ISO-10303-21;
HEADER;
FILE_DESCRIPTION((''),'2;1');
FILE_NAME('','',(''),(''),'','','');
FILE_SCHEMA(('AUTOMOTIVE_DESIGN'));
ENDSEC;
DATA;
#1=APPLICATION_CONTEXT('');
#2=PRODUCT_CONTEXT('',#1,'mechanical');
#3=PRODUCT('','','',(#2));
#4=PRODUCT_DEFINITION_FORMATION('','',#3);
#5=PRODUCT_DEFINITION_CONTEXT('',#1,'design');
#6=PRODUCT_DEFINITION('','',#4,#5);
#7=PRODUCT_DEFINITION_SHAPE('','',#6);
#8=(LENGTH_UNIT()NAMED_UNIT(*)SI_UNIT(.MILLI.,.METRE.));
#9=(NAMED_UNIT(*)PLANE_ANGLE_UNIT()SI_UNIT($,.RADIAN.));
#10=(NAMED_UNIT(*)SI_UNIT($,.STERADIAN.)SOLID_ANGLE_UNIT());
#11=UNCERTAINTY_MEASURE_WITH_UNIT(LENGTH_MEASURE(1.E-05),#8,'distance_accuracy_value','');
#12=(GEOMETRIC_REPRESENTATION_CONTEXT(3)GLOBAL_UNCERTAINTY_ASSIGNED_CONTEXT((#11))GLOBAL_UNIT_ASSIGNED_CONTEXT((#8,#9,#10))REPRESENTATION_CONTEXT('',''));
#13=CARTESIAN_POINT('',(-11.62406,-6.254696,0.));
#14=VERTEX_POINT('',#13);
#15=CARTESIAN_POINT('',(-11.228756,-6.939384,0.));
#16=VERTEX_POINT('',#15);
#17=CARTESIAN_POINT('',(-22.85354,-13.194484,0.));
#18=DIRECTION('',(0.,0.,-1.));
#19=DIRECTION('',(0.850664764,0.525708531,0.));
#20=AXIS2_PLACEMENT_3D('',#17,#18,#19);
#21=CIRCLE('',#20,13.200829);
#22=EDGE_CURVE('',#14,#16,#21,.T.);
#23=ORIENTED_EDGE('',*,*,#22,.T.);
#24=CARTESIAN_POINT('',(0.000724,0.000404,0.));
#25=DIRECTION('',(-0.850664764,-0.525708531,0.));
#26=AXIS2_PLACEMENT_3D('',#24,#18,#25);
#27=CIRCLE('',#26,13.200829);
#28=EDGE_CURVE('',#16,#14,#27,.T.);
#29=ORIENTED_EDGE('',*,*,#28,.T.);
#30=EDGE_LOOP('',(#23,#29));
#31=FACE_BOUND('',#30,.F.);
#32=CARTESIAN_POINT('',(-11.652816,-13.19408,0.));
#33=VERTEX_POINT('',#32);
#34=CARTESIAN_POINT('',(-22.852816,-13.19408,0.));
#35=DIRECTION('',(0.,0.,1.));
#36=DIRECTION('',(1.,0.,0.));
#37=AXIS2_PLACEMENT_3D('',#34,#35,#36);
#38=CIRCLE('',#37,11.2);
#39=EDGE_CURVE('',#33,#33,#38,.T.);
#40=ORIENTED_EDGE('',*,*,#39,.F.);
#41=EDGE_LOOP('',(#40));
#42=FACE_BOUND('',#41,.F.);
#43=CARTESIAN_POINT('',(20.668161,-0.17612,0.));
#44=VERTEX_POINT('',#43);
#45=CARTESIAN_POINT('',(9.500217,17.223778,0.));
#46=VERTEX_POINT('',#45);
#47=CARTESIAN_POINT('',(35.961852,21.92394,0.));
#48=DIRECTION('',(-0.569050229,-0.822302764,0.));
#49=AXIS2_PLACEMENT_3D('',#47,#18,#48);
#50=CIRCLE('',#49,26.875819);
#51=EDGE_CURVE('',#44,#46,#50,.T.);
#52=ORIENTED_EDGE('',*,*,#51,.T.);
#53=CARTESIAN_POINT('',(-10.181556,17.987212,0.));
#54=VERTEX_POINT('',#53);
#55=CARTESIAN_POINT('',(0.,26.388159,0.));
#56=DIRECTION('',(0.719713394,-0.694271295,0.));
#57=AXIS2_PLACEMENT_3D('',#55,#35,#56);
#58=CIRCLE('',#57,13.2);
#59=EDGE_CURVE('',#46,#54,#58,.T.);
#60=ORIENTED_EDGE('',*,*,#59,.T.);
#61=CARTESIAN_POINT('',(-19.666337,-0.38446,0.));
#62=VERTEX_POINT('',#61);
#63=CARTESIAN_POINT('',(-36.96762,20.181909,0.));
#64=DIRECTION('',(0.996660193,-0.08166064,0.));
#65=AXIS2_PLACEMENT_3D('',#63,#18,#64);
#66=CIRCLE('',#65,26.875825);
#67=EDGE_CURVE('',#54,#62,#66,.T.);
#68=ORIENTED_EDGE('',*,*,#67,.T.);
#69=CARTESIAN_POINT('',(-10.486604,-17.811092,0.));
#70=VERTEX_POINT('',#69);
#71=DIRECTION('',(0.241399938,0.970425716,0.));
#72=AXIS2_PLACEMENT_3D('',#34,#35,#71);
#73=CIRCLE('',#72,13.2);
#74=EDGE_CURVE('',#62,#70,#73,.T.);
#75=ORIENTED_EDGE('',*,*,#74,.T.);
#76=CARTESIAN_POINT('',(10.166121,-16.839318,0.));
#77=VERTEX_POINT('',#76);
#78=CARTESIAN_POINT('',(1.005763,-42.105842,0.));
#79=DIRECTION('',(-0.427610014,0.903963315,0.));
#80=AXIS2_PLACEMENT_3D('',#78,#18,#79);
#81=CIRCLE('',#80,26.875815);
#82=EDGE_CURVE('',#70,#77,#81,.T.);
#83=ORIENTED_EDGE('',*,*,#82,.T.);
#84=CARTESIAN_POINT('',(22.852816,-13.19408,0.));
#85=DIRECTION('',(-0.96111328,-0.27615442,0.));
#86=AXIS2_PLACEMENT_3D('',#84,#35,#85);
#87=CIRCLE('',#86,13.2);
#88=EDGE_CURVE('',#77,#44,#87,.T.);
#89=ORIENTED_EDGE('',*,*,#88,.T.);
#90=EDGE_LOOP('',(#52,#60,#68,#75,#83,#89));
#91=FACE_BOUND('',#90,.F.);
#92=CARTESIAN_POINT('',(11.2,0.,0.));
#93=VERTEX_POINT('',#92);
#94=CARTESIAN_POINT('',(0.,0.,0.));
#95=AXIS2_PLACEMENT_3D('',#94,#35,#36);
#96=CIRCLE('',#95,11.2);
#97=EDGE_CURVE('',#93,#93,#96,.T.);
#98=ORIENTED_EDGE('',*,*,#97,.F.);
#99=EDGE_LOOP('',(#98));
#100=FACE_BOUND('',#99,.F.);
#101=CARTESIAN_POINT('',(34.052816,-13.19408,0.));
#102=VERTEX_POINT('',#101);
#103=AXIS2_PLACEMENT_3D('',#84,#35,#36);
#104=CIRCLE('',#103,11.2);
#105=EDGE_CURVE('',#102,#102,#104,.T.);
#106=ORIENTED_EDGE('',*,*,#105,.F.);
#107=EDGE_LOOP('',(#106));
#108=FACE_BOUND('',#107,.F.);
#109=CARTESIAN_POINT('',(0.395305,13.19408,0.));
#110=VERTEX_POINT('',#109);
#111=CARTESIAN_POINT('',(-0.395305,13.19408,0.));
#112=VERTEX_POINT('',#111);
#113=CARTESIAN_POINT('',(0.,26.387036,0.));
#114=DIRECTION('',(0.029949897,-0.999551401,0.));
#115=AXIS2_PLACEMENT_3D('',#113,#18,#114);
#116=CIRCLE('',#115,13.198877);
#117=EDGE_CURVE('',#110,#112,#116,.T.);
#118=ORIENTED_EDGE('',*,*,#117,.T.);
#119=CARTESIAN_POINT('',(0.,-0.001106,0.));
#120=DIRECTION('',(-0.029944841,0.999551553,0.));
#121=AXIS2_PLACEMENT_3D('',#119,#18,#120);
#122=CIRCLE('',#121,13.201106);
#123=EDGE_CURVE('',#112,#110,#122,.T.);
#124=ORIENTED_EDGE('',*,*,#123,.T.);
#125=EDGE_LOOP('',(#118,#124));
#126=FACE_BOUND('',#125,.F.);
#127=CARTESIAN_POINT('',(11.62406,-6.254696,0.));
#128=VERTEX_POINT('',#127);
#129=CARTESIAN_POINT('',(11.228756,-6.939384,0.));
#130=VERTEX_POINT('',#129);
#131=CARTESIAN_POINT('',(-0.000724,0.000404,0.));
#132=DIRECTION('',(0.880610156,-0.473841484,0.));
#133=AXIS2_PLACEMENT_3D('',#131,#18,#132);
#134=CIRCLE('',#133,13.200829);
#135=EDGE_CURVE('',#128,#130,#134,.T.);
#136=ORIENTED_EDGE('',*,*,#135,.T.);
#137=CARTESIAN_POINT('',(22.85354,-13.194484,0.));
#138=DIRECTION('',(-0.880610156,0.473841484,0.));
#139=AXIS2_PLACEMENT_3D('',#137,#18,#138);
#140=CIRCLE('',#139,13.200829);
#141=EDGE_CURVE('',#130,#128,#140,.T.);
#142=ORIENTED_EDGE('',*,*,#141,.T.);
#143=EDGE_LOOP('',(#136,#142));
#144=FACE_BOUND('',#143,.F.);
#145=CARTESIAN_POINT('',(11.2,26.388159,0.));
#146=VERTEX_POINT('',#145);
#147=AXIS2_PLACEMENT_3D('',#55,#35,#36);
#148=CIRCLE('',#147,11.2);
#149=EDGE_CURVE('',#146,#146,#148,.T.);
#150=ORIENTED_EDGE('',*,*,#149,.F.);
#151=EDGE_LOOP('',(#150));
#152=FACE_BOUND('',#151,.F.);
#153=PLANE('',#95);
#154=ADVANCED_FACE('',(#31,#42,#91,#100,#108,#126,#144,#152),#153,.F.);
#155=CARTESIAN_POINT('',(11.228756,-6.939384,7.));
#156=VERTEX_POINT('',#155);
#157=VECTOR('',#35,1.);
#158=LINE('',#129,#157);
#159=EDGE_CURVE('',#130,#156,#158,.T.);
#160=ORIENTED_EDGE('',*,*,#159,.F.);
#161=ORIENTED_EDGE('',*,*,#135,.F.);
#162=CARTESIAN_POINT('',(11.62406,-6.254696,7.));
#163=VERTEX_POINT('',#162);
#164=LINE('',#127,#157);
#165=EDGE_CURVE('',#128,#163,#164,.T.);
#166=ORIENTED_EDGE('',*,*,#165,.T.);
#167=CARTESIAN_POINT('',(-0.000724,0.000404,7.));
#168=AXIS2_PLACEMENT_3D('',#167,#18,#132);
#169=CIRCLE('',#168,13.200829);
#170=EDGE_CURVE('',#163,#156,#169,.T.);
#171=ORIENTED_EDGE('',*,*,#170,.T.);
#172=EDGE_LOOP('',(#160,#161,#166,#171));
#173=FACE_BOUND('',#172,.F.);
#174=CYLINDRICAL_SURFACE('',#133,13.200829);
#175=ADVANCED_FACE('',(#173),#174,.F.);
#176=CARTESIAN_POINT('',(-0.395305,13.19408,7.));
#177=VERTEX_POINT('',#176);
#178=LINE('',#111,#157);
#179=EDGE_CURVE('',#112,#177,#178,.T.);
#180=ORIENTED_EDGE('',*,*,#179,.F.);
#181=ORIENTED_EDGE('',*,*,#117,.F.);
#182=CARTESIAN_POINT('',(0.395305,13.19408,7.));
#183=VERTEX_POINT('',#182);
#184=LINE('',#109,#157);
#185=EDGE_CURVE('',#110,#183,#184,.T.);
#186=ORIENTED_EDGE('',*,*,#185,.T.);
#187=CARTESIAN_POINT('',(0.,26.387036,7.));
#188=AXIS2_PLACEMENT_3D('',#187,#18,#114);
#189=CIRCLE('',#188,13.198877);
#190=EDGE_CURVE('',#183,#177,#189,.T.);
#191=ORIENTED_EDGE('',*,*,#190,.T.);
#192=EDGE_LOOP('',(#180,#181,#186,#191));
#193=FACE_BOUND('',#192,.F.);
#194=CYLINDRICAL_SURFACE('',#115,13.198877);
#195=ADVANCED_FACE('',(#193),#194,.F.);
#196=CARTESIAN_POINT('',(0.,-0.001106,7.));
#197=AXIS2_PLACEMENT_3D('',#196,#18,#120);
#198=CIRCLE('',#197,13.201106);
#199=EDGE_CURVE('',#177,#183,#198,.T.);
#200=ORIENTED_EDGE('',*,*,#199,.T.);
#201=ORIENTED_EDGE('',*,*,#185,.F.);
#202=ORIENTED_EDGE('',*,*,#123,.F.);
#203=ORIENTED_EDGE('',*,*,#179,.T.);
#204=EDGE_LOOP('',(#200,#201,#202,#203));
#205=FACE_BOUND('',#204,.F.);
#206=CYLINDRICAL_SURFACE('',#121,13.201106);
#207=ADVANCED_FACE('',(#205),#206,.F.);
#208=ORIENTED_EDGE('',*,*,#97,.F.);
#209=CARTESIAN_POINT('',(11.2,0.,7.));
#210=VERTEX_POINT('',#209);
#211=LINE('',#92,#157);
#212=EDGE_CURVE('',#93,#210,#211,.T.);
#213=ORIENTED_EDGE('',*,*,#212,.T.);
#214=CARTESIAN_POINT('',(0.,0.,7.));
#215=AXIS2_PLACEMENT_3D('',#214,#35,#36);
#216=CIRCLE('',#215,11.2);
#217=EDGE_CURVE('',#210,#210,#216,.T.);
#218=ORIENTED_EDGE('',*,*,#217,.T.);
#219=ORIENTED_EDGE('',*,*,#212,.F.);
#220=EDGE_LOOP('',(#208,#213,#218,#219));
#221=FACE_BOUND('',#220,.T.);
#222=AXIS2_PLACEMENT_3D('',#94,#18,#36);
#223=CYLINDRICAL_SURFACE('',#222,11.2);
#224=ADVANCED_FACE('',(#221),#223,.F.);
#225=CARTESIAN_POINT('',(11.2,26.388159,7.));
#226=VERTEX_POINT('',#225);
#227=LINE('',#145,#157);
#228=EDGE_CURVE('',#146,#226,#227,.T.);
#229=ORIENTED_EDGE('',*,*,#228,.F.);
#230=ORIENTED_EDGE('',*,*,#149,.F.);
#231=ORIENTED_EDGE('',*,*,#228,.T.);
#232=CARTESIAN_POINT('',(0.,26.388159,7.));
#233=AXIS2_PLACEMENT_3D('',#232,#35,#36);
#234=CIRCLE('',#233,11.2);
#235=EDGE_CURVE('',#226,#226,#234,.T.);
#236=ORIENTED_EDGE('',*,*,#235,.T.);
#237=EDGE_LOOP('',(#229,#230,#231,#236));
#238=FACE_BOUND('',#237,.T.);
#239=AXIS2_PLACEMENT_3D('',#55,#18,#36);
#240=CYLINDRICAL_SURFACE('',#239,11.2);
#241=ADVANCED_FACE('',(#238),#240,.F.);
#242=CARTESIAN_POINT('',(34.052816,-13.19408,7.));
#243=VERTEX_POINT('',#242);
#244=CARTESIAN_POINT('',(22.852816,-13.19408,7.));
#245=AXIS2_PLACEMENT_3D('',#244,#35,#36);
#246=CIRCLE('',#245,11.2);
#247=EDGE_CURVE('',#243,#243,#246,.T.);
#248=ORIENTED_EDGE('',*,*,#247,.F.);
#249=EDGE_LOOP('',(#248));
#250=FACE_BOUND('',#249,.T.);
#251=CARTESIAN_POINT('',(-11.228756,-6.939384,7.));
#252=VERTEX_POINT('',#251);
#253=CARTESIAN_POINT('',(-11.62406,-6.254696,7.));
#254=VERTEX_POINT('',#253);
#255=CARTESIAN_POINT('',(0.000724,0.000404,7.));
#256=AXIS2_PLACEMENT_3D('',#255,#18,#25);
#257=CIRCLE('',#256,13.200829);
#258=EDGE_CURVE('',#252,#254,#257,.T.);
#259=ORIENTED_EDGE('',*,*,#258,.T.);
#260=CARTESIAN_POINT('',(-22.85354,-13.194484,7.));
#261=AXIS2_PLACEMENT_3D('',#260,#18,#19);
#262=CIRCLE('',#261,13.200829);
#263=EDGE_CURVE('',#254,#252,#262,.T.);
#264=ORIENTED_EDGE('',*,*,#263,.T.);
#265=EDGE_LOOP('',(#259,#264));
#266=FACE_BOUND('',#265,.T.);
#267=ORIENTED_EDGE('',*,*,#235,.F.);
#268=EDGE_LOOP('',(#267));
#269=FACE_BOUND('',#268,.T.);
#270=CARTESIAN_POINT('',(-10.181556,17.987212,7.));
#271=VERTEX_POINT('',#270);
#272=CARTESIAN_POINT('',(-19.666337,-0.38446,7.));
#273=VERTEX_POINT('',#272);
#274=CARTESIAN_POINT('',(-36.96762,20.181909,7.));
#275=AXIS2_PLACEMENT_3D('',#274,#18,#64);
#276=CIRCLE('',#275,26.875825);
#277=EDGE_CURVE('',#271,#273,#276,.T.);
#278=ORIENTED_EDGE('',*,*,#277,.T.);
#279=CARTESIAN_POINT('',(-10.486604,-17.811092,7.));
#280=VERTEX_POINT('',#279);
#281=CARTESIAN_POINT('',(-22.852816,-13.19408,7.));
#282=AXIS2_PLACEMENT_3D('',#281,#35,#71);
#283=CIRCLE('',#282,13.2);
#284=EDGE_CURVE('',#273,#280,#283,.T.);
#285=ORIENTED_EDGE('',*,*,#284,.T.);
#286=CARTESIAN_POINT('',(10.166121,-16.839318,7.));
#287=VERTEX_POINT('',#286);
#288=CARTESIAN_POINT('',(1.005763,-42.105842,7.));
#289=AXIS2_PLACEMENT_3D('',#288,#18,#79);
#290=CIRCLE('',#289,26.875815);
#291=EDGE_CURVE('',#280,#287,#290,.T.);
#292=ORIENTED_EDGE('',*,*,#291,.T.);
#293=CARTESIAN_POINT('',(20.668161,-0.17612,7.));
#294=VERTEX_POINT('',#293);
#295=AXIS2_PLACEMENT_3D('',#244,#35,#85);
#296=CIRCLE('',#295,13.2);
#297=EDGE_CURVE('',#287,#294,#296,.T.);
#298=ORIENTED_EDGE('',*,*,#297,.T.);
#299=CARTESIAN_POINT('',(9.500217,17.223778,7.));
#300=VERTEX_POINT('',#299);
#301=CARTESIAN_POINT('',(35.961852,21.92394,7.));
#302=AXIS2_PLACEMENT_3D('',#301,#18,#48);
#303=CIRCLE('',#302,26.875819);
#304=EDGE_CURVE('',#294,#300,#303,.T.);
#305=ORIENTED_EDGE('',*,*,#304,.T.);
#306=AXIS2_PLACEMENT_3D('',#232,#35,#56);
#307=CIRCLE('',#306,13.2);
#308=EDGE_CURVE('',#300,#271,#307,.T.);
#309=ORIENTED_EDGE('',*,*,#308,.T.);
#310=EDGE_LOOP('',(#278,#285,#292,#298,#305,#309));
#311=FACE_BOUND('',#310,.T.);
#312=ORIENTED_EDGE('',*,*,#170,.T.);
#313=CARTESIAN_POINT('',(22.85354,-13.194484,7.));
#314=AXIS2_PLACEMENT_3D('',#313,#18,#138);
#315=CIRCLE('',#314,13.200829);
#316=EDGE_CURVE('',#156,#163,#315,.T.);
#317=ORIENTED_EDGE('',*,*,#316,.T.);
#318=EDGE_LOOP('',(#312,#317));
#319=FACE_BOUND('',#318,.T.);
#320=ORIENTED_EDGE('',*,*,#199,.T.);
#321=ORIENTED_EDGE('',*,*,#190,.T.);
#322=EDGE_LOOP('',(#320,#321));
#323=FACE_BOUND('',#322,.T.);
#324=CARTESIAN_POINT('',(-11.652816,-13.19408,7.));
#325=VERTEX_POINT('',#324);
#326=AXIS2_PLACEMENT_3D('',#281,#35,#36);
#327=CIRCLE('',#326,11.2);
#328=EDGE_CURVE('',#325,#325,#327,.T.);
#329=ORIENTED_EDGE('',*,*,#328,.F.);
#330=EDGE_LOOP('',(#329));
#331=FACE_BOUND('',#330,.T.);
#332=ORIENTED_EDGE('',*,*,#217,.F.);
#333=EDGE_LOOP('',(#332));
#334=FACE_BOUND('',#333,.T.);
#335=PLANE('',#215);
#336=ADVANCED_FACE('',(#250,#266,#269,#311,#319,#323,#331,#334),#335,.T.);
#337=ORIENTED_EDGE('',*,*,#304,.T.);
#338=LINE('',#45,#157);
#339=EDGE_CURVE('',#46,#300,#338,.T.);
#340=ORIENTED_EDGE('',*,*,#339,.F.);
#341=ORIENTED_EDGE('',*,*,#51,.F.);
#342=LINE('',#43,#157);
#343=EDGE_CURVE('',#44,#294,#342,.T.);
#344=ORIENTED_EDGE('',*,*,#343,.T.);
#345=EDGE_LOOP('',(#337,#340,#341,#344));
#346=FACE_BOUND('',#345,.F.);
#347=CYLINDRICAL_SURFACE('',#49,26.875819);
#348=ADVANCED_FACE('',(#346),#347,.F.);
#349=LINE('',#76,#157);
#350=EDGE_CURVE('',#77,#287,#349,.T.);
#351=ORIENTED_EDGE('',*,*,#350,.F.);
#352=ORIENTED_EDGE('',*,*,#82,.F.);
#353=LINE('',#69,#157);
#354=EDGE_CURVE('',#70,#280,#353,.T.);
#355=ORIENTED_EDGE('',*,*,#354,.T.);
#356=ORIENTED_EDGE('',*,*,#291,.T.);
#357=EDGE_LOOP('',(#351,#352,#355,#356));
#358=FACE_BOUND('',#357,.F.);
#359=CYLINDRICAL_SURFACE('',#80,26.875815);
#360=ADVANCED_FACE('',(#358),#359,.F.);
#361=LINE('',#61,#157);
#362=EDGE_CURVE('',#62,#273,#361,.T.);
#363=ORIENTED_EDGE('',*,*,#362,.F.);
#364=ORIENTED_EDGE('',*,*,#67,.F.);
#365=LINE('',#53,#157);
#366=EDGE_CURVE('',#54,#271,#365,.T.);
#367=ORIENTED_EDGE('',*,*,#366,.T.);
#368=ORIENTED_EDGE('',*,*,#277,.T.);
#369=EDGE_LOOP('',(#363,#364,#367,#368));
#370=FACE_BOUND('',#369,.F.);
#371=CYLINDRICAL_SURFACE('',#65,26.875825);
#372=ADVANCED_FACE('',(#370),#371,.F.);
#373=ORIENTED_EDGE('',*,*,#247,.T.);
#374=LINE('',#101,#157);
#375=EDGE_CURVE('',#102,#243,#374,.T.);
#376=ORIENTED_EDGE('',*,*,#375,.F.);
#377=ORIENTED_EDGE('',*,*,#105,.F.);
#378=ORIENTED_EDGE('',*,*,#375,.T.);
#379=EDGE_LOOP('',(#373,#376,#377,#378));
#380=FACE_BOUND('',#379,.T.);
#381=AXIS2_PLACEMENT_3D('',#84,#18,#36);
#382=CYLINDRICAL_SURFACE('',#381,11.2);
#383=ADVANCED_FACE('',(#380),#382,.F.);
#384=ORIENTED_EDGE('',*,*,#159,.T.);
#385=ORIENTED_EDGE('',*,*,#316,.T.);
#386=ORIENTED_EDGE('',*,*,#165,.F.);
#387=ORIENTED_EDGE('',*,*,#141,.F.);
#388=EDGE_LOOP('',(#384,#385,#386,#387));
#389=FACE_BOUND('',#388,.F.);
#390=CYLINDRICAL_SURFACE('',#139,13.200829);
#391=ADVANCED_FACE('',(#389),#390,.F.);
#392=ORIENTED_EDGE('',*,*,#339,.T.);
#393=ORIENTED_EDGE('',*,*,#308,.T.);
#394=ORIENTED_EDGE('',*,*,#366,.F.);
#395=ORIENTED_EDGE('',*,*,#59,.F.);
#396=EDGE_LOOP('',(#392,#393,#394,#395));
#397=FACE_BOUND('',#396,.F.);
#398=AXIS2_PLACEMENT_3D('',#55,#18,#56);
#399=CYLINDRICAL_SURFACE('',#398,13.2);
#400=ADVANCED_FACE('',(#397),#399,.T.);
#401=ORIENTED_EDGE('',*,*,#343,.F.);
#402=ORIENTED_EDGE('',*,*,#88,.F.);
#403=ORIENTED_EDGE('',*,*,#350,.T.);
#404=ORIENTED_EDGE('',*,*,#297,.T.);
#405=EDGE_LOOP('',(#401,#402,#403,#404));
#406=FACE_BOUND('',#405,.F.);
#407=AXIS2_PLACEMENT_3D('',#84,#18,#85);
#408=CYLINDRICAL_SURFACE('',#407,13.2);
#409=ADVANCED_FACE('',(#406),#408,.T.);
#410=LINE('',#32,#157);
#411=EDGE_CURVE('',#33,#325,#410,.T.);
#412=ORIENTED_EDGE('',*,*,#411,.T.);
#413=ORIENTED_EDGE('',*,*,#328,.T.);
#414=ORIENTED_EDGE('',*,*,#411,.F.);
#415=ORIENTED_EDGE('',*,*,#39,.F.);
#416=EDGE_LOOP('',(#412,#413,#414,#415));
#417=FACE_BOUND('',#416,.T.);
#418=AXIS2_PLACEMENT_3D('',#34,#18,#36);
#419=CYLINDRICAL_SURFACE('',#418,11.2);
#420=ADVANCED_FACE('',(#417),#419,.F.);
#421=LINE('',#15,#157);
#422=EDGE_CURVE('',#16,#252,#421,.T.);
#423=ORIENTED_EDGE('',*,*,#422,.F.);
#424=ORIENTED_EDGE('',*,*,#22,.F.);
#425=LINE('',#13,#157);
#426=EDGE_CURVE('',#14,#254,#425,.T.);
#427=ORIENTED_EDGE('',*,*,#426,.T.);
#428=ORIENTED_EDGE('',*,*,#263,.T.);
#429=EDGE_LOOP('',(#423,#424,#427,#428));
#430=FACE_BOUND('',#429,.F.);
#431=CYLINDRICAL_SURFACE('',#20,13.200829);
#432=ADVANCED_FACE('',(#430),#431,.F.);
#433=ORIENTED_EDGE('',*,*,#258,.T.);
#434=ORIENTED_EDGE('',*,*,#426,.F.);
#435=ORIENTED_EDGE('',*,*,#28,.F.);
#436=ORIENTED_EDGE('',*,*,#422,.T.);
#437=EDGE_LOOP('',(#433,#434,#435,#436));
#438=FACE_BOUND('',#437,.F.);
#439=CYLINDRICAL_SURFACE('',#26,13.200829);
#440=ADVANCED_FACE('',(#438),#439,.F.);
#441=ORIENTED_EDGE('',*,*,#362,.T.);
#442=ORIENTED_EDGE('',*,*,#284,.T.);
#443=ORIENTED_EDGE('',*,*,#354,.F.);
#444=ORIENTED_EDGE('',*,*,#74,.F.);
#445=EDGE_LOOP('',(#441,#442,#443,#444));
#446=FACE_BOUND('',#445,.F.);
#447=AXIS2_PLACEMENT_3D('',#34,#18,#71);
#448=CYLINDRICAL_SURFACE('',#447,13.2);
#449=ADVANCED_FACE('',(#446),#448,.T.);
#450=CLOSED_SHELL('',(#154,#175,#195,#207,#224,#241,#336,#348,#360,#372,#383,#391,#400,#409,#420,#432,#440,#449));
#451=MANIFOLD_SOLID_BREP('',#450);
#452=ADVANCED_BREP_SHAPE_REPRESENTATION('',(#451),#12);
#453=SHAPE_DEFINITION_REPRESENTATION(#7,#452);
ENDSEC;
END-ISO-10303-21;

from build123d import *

# Parameters (mm, degrees)
F0_R     = 11.2
F2_DEPTH = 7


with BuildPart() as f2:
    # F0 (on Top) → F2 (new body)
    with BuildSketch(Plane.XY):
        with BuildLine():
            ThreePointArc((20.668161, -0.17612), (13.344029, 7.406925), (9.500217, 17.223778))
            ThreePointArc((9.500217, 17.223778), (0.511629, 39.57824), (-10.181556, 17.987212))
            ThreePointArc((-10.181556, 17.987212), (-13.0866, 7.852805), (-19.666337, -0.38446))
            ThreePointArc((-19.666337, -0.38446), (-34.531576, -19.346037), (-10.486604, -17.811092))
            ThreePointArc((-10.486604, -17.811092), (-0.257429, -15.25973), (10.166121, -16.839318))
            ThreePointArc((10.166121, -16.839318), (34.019947, -20.232203), (20.668161, -0.17612))
        make_face()
        with Locations((-22.852816, -13.19408)):
            Circle(F0_R, mode=Mode.SUBTRACT)
        with BuildLine():
            ThreePointArc((-11.228756, -6.939384), (-11.431535, -6.6), (-11.62406, -6.254696))
            ThreePointArc((-11.62406, -6.254696), (-11.421281, -6.59408), (-11.228756, -6.939384))
        make_face(mode=Mode.SUBTRACT)
        with Locations((22.852816, -13.19408)):
            Circle(F0_R, mode=Mode.SUBTRACT)
        with BuildLine():
            ThreePointArc((11.228756, -6.939384), (11.421281, -6.59408), (11.62406, -6.254696))
            ThreePointArc((11.62406, -6.254696), (11.431535, -6.6), (11.228756, -6.939384))
        make_face(mode=Mode.SUBTRACT)
        Circle(F0_R, mode=Mode.SUBTRACT)
        with BuildLine():
            ThreePointArc((-0.395305, 13.19408), (0, 13.2), (0.395305, 13.19408))
            ThreePointArc((0.395305, 13.19408), (0, 13.188159), (-0.395305, 13.19408))
        make_face(mode=Mode.SUBTRACT)
        with Locations((0, 26.388159)):
            Circle(F0_R, mode=Mode.SUBTRACT)
    extrude(amount=F2_DEPTH)


solid = f2.part
